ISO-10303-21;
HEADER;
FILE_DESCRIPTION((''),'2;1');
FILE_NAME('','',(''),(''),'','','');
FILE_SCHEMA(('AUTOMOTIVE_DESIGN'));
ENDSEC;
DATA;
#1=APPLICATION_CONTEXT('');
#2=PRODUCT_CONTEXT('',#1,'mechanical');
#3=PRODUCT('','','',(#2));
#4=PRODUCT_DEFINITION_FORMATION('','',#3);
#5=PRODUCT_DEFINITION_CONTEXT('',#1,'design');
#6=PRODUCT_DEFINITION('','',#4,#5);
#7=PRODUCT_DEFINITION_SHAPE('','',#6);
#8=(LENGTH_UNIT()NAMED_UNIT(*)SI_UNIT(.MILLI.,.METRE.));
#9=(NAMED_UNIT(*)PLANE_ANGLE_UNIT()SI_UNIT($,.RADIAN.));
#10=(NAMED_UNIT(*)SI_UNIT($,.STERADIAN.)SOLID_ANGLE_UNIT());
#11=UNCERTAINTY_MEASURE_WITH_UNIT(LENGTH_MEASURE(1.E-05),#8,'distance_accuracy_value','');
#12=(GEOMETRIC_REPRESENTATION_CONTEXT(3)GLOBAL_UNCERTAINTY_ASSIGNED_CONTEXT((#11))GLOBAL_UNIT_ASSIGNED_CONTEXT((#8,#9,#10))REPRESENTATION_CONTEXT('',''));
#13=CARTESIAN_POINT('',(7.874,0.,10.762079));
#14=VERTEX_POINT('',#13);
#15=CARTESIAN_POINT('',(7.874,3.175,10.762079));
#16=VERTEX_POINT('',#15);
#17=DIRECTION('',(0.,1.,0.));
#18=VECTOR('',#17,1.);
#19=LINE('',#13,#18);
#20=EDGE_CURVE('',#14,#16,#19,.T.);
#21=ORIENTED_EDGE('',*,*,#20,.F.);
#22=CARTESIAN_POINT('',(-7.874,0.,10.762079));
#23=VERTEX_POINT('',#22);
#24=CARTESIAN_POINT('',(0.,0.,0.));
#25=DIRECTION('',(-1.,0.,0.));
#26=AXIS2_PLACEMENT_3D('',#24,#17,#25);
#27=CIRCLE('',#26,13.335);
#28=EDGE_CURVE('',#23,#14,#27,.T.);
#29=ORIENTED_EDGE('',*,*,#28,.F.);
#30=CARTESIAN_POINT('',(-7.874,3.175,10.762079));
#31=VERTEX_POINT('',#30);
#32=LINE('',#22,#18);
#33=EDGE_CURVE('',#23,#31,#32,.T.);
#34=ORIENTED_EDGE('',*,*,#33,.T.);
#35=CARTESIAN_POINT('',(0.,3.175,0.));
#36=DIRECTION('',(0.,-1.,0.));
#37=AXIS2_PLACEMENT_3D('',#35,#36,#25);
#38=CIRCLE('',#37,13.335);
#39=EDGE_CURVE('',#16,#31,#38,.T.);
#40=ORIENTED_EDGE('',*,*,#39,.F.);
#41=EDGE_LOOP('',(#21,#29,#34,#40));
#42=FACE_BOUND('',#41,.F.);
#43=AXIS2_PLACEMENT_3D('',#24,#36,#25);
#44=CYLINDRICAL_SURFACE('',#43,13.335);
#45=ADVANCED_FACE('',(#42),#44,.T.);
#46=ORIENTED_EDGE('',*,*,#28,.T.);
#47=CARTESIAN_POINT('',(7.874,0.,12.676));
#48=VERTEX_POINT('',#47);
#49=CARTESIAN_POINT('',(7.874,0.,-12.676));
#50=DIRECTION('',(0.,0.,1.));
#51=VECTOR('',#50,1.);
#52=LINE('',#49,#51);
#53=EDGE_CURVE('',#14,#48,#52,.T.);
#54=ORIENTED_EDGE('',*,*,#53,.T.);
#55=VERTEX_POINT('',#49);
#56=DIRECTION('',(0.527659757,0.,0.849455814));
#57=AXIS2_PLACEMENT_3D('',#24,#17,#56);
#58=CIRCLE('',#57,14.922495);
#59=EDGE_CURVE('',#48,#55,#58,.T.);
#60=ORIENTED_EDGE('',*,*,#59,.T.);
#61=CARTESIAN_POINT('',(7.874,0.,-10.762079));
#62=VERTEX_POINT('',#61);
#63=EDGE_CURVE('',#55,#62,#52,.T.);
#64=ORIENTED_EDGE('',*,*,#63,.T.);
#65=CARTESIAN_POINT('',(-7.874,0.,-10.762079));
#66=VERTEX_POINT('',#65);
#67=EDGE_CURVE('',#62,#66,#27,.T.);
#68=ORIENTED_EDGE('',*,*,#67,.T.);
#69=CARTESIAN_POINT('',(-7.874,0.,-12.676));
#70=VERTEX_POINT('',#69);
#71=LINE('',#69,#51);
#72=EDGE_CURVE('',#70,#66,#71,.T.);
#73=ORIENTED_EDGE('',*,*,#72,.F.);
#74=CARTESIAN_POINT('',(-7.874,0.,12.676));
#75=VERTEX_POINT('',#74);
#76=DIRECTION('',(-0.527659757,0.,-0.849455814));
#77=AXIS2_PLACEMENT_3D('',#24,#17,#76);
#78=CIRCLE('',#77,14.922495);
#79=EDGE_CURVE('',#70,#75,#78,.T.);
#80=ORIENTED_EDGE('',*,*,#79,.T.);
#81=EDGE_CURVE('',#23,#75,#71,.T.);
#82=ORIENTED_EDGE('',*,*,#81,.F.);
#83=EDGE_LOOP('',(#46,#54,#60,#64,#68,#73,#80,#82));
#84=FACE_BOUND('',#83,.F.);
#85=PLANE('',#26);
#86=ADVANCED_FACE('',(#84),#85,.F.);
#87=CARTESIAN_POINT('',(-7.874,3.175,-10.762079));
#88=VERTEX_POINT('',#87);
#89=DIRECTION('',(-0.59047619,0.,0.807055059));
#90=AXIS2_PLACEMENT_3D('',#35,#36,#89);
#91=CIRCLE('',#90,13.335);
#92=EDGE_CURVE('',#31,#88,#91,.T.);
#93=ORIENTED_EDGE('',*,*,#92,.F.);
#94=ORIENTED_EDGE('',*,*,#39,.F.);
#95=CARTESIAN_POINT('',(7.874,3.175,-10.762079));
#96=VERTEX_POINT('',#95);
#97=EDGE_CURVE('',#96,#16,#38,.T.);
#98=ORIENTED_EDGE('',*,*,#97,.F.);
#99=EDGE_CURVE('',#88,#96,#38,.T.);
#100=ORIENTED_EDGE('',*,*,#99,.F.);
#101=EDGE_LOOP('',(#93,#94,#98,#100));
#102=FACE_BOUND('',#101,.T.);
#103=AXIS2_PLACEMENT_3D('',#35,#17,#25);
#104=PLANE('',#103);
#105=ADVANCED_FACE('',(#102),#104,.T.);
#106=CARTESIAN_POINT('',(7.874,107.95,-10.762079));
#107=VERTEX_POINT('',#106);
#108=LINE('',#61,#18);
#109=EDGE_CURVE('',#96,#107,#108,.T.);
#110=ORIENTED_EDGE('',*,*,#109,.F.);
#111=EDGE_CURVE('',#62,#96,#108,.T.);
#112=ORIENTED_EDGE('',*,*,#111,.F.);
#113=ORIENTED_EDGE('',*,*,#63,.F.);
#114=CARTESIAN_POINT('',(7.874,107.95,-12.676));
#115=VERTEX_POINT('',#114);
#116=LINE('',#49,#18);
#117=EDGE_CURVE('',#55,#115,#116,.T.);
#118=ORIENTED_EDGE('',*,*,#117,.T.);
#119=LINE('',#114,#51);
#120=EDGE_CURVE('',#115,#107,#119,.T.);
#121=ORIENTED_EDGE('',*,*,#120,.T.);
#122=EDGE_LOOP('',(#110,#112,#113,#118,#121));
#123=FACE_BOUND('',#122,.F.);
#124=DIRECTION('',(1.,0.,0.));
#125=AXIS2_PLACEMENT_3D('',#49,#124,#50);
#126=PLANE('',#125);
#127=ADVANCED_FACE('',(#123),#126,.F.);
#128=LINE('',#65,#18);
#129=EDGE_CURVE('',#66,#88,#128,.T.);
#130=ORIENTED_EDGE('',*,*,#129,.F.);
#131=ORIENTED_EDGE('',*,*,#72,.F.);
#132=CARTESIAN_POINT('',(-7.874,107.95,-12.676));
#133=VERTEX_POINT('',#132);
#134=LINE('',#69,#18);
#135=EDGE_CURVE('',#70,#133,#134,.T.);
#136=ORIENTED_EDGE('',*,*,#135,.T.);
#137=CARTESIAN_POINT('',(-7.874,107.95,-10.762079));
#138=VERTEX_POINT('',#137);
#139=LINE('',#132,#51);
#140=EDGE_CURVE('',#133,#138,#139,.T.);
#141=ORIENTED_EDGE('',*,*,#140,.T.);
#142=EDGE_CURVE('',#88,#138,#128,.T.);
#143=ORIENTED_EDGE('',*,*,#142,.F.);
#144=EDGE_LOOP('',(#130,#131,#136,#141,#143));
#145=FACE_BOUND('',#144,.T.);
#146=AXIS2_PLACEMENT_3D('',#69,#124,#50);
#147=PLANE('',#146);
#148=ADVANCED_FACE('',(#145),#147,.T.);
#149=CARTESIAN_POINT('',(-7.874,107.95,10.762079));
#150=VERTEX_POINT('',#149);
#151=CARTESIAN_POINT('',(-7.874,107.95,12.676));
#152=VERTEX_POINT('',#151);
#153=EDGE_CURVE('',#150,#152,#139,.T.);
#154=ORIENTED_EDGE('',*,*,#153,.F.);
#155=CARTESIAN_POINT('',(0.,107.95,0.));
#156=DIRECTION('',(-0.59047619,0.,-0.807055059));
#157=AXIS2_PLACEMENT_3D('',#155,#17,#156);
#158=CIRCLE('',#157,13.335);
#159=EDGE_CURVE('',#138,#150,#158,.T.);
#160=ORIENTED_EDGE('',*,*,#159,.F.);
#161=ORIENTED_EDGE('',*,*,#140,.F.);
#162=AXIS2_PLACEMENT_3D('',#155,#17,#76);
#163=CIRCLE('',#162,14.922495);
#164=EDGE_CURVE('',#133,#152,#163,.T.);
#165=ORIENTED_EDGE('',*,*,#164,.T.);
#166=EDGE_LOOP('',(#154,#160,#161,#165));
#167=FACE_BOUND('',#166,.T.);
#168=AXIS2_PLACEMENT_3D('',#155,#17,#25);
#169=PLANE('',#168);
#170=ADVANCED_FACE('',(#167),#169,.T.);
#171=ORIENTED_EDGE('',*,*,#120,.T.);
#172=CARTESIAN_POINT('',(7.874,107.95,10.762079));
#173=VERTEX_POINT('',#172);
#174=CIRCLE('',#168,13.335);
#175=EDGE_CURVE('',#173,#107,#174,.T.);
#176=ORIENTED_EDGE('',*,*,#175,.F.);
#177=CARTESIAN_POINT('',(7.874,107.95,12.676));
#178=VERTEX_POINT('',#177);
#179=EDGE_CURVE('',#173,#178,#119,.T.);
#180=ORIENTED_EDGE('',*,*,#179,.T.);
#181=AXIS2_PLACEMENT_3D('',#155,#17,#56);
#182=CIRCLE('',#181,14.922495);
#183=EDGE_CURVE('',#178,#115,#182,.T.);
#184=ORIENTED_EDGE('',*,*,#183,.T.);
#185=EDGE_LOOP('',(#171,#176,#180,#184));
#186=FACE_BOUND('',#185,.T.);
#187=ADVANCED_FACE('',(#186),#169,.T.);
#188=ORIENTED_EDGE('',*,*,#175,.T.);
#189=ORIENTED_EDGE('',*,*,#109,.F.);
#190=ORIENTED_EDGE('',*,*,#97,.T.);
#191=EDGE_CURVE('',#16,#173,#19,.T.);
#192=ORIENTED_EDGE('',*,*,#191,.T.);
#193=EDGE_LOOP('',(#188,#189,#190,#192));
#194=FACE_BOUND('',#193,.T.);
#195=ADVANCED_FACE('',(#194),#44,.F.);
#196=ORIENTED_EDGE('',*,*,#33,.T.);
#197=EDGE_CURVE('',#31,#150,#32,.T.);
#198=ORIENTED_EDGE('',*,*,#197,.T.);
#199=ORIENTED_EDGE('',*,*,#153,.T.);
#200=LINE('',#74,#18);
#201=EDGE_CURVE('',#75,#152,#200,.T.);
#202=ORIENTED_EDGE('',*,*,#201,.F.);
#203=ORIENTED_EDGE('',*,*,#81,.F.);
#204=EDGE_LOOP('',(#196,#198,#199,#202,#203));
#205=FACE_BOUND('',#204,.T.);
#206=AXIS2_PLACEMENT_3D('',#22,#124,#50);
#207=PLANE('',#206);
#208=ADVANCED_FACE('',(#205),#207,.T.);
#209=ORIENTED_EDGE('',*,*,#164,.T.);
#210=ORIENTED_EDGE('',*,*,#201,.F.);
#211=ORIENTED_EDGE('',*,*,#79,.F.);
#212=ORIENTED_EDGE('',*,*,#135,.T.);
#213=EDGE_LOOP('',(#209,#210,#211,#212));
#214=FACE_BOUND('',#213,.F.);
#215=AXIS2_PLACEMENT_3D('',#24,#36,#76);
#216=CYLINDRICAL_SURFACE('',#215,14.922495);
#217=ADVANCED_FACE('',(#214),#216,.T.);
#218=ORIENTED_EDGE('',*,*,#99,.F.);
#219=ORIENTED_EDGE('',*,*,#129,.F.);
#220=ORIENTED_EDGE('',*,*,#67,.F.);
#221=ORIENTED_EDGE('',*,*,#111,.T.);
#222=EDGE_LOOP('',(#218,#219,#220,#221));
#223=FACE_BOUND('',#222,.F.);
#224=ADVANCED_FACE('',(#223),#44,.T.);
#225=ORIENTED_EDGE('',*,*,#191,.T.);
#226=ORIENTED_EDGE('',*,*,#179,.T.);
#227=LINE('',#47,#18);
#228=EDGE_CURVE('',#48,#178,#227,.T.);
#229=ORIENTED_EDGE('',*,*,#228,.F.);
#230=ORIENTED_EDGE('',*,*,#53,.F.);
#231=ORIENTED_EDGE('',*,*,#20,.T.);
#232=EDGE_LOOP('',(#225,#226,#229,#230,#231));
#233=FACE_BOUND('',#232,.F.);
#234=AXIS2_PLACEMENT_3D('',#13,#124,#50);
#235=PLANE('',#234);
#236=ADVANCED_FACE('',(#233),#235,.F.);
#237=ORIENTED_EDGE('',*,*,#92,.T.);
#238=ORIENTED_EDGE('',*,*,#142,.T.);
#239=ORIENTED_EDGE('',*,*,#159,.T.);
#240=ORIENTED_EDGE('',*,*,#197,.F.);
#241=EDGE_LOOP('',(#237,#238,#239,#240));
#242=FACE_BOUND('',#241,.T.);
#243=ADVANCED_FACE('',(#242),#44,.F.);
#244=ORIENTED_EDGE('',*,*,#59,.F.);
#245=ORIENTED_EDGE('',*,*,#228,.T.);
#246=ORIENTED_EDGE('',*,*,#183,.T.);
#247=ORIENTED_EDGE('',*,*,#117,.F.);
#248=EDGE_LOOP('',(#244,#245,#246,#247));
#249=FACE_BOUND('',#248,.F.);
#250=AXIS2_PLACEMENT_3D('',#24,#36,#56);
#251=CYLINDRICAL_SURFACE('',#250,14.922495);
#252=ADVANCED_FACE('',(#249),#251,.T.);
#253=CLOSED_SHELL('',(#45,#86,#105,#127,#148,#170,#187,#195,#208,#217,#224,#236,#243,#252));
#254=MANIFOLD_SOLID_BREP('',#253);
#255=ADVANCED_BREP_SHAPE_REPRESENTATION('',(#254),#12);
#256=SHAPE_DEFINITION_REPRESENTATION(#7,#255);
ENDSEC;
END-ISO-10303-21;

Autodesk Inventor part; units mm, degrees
ref_plane "YZ Plane" through (0, 0, 0) normal (1, 0, 0) x (0, 1, 0)
ref_plane "XZ Plane" through (0, 0, 0) normal (0, 1, 0) x (-1, 0, 0)
ref_plane "XY Plane" through (0, 0, 0) normal (0, 0, 1) x (1, 0, 0)
sketch "Sketch1" plane through (0, 0, 0) normal (0, 1, 0) x (-1, 0, 0)
  circle A0 centre (0, 0) radius 13.335
  line L0 (7.874, -12.676) -> (7.874, 12.676)
  line L1 (0, 0) -> (0, -4.5333)
  line L2 (-7.874, -12.676) -> (-7.874, 12.676)
  arc A1 (7.874, -12.676) -> (7.874, 12.676) centre (0, 0) ccw
  arc A2 (-7.874, 12.676) -> (-7.874, -12.676) centre (0, 0) ccw
  point P0 (-7.874, -10.7621)
  point P1 (-7.874, 10.7621)
  point P2 (7.874, 10.7621)
  point P3 (7.874, -10.7621)
  dimension "d0" = 26.67
  dimension "d6" = 7.874
  dimension "d11" = 1.5875
extrude "Extrusion1" add sketch "Sketch1" along normal blind 107.95 contours A0 L0 A1 | A0 L2 A2
extrude "Extrusion2" add sketch "Sketch1" along normal blind 3.175 contours A0 L0 | L0 A0 L2 | L2 A0
properties part number "Sheath"
